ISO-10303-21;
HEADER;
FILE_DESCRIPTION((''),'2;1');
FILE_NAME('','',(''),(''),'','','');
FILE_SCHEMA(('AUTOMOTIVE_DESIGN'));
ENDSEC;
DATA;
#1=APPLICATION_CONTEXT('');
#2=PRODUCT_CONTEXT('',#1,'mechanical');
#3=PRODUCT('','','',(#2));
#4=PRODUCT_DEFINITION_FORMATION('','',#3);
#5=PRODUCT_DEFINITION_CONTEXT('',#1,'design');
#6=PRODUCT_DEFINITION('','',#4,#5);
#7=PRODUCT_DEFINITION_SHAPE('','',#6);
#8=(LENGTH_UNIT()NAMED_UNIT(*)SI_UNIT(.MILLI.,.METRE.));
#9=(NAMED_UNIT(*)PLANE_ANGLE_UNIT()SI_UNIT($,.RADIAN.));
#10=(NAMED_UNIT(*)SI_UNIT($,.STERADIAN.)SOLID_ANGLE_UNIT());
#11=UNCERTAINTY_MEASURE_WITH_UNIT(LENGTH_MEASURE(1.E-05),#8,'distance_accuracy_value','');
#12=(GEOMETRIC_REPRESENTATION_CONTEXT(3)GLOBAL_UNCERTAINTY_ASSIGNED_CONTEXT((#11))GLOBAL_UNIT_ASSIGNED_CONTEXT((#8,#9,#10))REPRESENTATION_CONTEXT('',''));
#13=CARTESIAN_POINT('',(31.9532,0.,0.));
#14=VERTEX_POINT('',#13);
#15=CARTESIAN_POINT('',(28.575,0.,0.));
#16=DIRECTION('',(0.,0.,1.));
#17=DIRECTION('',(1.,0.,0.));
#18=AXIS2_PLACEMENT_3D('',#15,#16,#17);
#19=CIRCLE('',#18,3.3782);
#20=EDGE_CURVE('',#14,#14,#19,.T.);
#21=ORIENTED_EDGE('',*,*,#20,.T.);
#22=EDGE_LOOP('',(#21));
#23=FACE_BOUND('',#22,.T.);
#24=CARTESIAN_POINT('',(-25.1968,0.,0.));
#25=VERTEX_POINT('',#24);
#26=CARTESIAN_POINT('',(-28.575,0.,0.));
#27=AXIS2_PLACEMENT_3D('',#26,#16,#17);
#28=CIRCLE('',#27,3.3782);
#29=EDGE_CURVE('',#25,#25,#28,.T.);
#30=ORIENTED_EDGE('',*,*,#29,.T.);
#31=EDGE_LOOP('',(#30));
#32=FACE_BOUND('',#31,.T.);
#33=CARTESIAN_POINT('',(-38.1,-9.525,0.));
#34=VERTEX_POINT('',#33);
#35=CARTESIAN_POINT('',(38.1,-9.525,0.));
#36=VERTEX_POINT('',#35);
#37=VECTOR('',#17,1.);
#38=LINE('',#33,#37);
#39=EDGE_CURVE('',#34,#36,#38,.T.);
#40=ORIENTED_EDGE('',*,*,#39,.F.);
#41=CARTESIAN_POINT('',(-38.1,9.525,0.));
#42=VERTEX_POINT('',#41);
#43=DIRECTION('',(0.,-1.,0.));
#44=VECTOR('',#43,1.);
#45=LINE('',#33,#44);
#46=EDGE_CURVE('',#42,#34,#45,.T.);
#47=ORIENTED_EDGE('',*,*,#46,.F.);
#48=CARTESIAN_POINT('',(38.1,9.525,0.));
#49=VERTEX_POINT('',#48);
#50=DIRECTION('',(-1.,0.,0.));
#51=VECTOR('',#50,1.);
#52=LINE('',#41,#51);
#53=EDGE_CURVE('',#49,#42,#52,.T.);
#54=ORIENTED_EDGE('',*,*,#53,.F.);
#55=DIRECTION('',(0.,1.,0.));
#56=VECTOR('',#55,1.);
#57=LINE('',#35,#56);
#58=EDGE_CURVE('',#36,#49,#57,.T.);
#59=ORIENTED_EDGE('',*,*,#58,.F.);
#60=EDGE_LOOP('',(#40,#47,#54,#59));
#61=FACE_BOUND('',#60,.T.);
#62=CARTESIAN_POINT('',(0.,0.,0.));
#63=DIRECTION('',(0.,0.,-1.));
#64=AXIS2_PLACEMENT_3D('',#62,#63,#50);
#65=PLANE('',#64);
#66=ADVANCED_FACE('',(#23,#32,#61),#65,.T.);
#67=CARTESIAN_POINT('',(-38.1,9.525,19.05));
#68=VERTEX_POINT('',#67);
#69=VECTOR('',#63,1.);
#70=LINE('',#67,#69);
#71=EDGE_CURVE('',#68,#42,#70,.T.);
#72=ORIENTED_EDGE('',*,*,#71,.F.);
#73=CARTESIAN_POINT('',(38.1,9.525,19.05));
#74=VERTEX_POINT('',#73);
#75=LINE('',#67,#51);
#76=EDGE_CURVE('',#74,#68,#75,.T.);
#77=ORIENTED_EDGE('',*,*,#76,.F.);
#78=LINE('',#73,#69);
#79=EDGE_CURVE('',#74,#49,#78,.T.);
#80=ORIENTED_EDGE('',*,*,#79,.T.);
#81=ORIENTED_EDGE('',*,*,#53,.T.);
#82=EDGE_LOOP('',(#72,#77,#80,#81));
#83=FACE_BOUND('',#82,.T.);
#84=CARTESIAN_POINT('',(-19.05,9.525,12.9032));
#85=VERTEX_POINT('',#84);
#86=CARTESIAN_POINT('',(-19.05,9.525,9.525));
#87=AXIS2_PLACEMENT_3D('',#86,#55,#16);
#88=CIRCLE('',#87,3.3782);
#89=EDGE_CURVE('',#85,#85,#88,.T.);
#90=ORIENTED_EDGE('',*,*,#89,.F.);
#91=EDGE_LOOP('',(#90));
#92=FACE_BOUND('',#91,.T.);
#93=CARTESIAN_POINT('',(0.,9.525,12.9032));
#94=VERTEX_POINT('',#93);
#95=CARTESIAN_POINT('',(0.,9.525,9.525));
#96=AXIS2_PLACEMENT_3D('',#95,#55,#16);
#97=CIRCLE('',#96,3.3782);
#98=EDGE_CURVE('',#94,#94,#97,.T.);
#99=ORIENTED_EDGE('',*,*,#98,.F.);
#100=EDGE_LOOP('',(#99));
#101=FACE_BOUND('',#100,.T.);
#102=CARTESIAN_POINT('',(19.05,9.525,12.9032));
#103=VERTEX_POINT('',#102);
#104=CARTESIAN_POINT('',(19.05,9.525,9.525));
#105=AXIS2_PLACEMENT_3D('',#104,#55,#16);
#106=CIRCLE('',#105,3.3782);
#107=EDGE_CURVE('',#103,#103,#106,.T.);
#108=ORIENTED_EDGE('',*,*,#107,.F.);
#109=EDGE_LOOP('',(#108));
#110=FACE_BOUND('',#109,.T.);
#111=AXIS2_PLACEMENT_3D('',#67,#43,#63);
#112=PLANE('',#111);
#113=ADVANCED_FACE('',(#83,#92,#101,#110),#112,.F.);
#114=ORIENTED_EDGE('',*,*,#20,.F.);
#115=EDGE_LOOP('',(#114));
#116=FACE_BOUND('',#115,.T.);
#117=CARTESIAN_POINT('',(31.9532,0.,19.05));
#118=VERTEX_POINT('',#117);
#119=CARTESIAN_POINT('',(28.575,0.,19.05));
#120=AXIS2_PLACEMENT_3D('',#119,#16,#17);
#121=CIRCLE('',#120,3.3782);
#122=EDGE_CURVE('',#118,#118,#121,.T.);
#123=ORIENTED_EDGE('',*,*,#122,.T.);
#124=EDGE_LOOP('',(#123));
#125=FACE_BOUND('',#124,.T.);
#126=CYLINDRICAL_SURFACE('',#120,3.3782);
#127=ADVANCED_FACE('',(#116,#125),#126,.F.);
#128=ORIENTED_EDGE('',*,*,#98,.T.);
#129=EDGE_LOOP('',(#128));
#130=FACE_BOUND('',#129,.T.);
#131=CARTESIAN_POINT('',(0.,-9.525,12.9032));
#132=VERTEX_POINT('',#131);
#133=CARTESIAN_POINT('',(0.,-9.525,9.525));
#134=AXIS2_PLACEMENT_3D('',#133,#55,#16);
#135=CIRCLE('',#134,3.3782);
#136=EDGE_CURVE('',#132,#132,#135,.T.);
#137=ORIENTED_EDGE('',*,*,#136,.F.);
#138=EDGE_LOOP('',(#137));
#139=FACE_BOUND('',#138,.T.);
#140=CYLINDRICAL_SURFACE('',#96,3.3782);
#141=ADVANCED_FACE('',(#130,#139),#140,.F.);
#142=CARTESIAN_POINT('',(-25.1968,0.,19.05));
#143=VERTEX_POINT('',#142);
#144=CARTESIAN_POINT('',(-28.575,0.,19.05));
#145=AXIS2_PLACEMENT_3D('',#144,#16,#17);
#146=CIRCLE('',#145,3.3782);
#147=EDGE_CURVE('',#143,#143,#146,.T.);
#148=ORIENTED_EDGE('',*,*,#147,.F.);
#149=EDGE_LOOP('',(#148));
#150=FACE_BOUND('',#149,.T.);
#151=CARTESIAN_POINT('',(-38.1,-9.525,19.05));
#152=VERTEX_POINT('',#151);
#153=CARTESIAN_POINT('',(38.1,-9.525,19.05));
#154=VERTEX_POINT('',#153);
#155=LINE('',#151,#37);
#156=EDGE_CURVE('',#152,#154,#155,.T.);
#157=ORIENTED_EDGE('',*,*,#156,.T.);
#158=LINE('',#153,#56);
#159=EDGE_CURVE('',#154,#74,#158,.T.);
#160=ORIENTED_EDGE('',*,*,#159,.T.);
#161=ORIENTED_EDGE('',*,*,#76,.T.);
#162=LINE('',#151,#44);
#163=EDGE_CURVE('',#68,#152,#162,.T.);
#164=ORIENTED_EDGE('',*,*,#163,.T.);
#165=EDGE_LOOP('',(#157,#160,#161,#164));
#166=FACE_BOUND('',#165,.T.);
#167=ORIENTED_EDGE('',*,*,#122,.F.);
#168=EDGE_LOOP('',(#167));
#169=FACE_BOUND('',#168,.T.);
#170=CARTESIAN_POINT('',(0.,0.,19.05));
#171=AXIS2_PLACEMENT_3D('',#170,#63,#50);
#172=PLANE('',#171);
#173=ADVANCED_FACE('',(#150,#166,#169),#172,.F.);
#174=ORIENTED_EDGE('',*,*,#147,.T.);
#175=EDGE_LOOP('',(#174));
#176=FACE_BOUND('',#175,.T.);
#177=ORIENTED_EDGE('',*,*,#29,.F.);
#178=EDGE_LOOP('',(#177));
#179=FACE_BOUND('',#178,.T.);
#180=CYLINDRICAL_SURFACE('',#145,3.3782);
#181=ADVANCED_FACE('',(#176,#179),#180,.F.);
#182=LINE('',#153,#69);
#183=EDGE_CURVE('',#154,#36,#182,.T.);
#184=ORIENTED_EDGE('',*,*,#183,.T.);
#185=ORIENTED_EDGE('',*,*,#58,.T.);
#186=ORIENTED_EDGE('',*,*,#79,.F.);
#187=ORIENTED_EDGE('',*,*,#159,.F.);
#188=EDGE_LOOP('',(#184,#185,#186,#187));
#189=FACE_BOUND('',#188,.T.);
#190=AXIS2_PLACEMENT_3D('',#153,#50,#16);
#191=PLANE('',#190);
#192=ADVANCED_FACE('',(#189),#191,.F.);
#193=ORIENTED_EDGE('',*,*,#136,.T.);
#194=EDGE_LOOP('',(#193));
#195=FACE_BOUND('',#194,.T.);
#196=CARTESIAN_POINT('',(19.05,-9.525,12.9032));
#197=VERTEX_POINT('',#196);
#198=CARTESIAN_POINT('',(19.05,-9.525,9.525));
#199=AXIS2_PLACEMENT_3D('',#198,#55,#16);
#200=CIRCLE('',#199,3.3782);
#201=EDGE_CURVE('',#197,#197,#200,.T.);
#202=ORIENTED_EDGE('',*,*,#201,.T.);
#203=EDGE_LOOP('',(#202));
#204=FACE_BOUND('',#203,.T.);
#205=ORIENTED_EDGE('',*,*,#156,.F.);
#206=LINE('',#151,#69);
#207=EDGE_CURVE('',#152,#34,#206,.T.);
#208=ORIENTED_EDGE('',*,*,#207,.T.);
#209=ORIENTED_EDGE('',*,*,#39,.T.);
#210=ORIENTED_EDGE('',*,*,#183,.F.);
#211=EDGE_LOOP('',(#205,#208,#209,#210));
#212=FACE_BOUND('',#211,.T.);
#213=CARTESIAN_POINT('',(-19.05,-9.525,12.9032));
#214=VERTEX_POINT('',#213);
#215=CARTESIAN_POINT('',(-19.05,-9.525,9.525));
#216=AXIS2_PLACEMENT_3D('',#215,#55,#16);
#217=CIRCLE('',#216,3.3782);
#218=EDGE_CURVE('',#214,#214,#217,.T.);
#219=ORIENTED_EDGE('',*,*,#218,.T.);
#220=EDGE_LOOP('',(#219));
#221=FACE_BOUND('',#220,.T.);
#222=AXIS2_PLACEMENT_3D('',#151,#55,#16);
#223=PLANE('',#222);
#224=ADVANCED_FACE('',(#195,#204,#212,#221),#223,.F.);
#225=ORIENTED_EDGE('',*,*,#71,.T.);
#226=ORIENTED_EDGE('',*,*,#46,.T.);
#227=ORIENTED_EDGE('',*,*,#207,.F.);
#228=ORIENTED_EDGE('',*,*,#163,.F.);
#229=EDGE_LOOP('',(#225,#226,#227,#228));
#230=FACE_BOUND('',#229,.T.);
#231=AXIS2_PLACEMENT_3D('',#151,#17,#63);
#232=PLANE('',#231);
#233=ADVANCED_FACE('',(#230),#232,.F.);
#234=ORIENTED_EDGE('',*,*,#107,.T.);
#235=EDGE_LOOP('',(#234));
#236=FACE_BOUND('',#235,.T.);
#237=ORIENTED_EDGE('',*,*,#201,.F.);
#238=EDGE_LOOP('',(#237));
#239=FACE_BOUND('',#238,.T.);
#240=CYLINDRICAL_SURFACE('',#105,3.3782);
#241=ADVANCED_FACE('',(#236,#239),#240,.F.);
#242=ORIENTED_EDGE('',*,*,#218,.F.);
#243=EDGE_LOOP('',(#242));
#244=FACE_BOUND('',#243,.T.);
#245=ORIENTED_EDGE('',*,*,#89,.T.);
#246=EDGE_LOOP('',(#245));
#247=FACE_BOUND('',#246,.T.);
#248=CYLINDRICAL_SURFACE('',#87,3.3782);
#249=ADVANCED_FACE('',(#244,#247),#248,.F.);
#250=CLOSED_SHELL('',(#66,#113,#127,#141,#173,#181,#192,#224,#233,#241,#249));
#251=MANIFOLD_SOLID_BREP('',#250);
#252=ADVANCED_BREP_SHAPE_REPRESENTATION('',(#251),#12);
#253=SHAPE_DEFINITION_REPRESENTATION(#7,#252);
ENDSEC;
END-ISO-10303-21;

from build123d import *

# Parameters (mm, degrees)
SKETCH1_W               = 76.2
SKETCH1_H               = 19.05
BOSS_EXTRUDE1_DEPTH     = 19.05
F_1_4_CLEARANCE_HOLE1_D = 6.7564
F_1_4_CLEARANCE_HOLE2_D = 6.7564


with BuildPart() as part:
    # Sketch1 → Boss-Extrude1 (new body)
    with BuildSketch(Plane.XY):
        Rectangle(SKETCH1_W, SKETCH1_H)
    extrude(amount=BOSS_EXTRUDE1_DEPTH)

    # 1/4 Clearance Hole1 (through all)
    with Locations(Plane.XY.offset(19.05)):
        with Locations((-28.575, 0), (28.575, 0)):
            Hole(F_1_4_CLEARANCE_HOLE1_D / 2)

    # 1/4 Clearance Hole2 (through all)
    with Locations(Plane(origin=(0, 9.525, 0), x_dir=(1, 0, 0), z_dir=(0, 1, 0))):
        with Locations((0, -9.525), (-19.05, -9.525), (19.05, -9.525)):
            Hole(F_1_4_CLEARANCE_HOLE2_D / 2)


solid = part.part
